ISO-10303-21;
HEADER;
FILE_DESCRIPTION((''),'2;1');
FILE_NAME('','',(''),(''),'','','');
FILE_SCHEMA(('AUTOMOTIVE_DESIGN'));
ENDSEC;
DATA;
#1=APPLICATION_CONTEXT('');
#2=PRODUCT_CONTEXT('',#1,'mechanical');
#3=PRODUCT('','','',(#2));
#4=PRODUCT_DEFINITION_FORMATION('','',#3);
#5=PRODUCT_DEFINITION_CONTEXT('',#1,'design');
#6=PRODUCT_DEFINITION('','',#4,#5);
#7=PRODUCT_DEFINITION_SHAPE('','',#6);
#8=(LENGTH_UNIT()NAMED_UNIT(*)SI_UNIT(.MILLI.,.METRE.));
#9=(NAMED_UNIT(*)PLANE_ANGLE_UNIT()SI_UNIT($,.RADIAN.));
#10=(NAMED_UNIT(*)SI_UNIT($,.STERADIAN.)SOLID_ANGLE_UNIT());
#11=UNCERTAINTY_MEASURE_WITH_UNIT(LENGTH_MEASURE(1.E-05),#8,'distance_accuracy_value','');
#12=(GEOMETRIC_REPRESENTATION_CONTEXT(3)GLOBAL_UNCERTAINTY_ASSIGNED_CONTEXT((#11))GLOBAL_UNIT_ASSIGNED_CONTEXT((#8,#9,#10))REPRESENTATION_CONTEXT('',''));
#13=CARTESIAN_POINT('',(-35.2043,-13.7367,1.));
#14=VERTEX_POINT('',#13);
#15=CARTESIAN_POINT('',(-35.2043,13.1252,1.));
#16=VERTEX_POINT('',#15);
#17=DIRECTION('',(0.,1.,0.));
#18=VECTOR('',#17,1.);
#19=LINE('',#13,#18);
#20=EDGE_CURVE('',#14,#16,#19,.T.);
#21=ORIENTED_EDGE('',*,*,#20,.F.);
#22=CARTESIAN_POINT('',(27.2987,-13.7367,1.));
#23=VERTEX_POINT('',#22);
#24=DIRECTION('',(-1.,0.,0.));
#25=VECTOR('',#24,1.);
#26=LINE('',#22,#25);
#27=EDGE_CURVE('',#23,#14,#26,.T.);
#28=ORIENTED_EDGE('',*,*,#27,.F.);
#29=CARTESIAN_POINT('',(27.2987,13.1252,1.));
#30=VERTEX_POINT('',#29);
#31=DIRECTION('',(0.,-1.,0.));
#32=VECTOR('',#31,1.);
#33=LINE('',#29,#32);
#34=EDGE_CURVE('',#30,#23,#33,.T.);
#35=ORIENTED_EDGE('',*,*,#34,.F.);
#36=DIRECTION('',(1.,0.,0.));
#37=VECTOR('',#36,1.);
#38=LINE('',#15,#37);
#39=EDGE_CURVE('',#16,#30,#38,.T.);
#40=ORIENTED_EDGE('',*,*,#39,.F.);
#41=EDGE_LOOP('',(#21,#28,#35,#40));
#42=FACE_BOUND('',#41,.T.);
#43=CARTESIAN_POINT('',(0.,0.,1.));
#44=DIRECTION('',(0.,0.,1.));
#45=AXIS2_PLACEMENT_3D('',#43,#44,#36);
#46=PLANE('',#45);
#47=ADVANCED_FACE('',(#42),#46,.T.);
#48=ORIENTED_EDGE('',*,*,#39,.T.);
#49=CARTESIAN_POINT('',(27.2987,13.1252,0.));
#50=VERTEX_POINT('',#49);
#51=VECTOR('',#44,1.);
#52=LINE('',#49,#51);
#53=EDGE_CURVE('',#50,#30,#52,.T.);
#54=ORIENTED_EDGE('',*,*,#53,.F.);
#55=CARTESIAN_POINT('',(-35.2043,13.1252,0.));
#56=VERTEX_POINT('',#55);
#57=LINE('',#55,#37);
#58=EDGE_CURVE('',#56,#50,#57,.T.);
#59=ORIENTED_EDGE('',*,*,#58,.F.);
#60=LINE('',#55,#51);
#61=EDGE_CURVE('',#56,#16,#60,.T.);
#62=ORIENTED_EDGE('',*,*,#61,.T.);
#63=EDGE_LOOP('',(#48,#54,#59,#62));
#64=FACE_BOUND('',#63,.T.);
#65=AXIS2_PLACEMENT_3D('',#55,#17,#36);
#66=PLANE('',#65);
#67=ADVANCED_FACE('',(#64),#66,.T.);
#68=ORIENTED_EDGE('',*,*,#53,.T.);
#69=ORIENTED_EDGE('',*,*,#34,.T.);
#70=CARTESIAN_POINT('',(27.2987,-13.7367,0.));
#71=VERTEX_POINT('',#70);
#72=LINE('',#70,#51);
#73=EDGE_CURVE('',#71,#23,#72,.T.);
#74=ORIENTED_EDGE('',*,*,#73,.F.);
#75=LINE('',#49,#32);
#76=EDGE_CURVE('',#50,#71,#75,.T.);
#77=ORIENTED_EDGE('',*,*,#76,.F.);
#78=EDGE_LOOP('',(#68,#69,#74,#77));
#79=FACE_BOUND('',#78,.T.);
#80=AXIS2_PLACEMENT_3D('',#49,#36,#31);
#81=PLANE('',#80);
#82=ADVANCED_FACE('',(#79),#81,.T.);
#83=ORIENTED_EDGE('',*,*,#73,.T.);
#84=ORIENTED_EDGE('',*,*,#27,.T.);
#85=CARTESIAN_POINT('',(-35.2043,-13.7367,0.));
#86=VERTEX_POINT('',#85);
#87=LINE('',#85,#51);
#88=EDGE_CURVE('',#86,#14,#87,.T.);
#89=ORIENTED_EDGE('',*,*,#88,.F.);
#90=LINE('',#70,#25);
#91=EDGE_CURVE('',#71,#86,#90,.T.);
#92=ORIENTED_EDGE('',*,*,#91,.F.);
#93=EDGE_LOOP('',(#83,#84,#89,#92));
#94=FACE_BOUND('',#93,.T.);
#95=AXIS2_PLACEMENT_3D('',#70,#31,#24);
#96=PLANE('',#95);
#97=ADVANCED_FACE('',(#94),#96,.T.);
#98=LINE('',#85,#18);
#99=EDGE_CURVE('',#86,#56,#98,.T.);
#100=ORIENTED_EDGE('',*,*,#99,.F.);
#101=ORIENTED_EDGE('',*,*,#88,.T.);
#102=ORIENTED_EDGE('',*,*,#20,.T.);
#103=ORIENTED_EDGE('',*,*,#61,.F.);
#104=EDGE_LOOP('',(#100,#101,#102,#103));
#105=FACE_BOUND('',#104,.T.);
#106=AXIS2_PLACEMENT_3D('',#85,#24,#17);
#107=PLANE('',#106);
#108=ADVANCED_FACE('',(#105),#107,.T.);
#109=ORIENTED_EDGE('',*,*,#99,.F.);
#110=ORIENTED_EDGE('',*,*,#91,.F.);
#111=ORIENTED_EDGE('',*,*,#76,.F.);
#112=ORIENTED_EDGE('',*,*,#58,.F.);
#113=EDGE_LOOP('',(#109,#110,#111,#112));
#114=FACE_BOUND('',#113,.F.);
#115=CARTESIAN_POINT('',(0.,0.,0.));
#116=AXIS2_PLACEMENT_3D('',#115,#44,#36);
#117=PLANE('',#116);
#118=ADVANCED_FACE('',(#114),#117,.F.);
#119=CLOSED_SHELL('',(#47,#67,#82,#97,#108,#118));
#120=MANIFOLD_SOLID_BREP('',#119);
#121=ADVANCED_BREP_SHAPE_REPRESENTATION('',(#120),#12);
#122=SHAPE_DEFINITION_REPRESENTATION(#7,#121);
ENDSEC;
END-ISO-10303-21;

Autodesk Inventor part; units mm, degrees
ref_plane "YZ Plane" through (0, 0, 0) normal (1, 0, 0) x (0, 1, 0)
ref_plane "XZ Plane" through (0, 0, 0) normal (0, 1, 0) x (-1, 0, 0)
ref_plane "XY Plane" through (0, 0, 0) normal (0, 0, 1) x (1, 0, 0)
sketch "Sketch1" plane through (0, 0, 0) normal (0, 0, 1) x (1, 0, 0)
  line L0 (-35.2043, 13.1252) -> (27.2987, 13.1252)
  line L1 (27.2987, 13.1252) -> (27.2987, -13.7367)
  line L2 (27.2987, -13.7367) -> (-35.2043, -13.7367)
  line L3 (-35.2043, -13.7367) -> (-35.2043, 13.1252)
  point P0 (0, 0)
extrude "Extrusion1" add sketch "Sketch1" along normal blind 1
properties part number "Maze Board 7 (base)"
